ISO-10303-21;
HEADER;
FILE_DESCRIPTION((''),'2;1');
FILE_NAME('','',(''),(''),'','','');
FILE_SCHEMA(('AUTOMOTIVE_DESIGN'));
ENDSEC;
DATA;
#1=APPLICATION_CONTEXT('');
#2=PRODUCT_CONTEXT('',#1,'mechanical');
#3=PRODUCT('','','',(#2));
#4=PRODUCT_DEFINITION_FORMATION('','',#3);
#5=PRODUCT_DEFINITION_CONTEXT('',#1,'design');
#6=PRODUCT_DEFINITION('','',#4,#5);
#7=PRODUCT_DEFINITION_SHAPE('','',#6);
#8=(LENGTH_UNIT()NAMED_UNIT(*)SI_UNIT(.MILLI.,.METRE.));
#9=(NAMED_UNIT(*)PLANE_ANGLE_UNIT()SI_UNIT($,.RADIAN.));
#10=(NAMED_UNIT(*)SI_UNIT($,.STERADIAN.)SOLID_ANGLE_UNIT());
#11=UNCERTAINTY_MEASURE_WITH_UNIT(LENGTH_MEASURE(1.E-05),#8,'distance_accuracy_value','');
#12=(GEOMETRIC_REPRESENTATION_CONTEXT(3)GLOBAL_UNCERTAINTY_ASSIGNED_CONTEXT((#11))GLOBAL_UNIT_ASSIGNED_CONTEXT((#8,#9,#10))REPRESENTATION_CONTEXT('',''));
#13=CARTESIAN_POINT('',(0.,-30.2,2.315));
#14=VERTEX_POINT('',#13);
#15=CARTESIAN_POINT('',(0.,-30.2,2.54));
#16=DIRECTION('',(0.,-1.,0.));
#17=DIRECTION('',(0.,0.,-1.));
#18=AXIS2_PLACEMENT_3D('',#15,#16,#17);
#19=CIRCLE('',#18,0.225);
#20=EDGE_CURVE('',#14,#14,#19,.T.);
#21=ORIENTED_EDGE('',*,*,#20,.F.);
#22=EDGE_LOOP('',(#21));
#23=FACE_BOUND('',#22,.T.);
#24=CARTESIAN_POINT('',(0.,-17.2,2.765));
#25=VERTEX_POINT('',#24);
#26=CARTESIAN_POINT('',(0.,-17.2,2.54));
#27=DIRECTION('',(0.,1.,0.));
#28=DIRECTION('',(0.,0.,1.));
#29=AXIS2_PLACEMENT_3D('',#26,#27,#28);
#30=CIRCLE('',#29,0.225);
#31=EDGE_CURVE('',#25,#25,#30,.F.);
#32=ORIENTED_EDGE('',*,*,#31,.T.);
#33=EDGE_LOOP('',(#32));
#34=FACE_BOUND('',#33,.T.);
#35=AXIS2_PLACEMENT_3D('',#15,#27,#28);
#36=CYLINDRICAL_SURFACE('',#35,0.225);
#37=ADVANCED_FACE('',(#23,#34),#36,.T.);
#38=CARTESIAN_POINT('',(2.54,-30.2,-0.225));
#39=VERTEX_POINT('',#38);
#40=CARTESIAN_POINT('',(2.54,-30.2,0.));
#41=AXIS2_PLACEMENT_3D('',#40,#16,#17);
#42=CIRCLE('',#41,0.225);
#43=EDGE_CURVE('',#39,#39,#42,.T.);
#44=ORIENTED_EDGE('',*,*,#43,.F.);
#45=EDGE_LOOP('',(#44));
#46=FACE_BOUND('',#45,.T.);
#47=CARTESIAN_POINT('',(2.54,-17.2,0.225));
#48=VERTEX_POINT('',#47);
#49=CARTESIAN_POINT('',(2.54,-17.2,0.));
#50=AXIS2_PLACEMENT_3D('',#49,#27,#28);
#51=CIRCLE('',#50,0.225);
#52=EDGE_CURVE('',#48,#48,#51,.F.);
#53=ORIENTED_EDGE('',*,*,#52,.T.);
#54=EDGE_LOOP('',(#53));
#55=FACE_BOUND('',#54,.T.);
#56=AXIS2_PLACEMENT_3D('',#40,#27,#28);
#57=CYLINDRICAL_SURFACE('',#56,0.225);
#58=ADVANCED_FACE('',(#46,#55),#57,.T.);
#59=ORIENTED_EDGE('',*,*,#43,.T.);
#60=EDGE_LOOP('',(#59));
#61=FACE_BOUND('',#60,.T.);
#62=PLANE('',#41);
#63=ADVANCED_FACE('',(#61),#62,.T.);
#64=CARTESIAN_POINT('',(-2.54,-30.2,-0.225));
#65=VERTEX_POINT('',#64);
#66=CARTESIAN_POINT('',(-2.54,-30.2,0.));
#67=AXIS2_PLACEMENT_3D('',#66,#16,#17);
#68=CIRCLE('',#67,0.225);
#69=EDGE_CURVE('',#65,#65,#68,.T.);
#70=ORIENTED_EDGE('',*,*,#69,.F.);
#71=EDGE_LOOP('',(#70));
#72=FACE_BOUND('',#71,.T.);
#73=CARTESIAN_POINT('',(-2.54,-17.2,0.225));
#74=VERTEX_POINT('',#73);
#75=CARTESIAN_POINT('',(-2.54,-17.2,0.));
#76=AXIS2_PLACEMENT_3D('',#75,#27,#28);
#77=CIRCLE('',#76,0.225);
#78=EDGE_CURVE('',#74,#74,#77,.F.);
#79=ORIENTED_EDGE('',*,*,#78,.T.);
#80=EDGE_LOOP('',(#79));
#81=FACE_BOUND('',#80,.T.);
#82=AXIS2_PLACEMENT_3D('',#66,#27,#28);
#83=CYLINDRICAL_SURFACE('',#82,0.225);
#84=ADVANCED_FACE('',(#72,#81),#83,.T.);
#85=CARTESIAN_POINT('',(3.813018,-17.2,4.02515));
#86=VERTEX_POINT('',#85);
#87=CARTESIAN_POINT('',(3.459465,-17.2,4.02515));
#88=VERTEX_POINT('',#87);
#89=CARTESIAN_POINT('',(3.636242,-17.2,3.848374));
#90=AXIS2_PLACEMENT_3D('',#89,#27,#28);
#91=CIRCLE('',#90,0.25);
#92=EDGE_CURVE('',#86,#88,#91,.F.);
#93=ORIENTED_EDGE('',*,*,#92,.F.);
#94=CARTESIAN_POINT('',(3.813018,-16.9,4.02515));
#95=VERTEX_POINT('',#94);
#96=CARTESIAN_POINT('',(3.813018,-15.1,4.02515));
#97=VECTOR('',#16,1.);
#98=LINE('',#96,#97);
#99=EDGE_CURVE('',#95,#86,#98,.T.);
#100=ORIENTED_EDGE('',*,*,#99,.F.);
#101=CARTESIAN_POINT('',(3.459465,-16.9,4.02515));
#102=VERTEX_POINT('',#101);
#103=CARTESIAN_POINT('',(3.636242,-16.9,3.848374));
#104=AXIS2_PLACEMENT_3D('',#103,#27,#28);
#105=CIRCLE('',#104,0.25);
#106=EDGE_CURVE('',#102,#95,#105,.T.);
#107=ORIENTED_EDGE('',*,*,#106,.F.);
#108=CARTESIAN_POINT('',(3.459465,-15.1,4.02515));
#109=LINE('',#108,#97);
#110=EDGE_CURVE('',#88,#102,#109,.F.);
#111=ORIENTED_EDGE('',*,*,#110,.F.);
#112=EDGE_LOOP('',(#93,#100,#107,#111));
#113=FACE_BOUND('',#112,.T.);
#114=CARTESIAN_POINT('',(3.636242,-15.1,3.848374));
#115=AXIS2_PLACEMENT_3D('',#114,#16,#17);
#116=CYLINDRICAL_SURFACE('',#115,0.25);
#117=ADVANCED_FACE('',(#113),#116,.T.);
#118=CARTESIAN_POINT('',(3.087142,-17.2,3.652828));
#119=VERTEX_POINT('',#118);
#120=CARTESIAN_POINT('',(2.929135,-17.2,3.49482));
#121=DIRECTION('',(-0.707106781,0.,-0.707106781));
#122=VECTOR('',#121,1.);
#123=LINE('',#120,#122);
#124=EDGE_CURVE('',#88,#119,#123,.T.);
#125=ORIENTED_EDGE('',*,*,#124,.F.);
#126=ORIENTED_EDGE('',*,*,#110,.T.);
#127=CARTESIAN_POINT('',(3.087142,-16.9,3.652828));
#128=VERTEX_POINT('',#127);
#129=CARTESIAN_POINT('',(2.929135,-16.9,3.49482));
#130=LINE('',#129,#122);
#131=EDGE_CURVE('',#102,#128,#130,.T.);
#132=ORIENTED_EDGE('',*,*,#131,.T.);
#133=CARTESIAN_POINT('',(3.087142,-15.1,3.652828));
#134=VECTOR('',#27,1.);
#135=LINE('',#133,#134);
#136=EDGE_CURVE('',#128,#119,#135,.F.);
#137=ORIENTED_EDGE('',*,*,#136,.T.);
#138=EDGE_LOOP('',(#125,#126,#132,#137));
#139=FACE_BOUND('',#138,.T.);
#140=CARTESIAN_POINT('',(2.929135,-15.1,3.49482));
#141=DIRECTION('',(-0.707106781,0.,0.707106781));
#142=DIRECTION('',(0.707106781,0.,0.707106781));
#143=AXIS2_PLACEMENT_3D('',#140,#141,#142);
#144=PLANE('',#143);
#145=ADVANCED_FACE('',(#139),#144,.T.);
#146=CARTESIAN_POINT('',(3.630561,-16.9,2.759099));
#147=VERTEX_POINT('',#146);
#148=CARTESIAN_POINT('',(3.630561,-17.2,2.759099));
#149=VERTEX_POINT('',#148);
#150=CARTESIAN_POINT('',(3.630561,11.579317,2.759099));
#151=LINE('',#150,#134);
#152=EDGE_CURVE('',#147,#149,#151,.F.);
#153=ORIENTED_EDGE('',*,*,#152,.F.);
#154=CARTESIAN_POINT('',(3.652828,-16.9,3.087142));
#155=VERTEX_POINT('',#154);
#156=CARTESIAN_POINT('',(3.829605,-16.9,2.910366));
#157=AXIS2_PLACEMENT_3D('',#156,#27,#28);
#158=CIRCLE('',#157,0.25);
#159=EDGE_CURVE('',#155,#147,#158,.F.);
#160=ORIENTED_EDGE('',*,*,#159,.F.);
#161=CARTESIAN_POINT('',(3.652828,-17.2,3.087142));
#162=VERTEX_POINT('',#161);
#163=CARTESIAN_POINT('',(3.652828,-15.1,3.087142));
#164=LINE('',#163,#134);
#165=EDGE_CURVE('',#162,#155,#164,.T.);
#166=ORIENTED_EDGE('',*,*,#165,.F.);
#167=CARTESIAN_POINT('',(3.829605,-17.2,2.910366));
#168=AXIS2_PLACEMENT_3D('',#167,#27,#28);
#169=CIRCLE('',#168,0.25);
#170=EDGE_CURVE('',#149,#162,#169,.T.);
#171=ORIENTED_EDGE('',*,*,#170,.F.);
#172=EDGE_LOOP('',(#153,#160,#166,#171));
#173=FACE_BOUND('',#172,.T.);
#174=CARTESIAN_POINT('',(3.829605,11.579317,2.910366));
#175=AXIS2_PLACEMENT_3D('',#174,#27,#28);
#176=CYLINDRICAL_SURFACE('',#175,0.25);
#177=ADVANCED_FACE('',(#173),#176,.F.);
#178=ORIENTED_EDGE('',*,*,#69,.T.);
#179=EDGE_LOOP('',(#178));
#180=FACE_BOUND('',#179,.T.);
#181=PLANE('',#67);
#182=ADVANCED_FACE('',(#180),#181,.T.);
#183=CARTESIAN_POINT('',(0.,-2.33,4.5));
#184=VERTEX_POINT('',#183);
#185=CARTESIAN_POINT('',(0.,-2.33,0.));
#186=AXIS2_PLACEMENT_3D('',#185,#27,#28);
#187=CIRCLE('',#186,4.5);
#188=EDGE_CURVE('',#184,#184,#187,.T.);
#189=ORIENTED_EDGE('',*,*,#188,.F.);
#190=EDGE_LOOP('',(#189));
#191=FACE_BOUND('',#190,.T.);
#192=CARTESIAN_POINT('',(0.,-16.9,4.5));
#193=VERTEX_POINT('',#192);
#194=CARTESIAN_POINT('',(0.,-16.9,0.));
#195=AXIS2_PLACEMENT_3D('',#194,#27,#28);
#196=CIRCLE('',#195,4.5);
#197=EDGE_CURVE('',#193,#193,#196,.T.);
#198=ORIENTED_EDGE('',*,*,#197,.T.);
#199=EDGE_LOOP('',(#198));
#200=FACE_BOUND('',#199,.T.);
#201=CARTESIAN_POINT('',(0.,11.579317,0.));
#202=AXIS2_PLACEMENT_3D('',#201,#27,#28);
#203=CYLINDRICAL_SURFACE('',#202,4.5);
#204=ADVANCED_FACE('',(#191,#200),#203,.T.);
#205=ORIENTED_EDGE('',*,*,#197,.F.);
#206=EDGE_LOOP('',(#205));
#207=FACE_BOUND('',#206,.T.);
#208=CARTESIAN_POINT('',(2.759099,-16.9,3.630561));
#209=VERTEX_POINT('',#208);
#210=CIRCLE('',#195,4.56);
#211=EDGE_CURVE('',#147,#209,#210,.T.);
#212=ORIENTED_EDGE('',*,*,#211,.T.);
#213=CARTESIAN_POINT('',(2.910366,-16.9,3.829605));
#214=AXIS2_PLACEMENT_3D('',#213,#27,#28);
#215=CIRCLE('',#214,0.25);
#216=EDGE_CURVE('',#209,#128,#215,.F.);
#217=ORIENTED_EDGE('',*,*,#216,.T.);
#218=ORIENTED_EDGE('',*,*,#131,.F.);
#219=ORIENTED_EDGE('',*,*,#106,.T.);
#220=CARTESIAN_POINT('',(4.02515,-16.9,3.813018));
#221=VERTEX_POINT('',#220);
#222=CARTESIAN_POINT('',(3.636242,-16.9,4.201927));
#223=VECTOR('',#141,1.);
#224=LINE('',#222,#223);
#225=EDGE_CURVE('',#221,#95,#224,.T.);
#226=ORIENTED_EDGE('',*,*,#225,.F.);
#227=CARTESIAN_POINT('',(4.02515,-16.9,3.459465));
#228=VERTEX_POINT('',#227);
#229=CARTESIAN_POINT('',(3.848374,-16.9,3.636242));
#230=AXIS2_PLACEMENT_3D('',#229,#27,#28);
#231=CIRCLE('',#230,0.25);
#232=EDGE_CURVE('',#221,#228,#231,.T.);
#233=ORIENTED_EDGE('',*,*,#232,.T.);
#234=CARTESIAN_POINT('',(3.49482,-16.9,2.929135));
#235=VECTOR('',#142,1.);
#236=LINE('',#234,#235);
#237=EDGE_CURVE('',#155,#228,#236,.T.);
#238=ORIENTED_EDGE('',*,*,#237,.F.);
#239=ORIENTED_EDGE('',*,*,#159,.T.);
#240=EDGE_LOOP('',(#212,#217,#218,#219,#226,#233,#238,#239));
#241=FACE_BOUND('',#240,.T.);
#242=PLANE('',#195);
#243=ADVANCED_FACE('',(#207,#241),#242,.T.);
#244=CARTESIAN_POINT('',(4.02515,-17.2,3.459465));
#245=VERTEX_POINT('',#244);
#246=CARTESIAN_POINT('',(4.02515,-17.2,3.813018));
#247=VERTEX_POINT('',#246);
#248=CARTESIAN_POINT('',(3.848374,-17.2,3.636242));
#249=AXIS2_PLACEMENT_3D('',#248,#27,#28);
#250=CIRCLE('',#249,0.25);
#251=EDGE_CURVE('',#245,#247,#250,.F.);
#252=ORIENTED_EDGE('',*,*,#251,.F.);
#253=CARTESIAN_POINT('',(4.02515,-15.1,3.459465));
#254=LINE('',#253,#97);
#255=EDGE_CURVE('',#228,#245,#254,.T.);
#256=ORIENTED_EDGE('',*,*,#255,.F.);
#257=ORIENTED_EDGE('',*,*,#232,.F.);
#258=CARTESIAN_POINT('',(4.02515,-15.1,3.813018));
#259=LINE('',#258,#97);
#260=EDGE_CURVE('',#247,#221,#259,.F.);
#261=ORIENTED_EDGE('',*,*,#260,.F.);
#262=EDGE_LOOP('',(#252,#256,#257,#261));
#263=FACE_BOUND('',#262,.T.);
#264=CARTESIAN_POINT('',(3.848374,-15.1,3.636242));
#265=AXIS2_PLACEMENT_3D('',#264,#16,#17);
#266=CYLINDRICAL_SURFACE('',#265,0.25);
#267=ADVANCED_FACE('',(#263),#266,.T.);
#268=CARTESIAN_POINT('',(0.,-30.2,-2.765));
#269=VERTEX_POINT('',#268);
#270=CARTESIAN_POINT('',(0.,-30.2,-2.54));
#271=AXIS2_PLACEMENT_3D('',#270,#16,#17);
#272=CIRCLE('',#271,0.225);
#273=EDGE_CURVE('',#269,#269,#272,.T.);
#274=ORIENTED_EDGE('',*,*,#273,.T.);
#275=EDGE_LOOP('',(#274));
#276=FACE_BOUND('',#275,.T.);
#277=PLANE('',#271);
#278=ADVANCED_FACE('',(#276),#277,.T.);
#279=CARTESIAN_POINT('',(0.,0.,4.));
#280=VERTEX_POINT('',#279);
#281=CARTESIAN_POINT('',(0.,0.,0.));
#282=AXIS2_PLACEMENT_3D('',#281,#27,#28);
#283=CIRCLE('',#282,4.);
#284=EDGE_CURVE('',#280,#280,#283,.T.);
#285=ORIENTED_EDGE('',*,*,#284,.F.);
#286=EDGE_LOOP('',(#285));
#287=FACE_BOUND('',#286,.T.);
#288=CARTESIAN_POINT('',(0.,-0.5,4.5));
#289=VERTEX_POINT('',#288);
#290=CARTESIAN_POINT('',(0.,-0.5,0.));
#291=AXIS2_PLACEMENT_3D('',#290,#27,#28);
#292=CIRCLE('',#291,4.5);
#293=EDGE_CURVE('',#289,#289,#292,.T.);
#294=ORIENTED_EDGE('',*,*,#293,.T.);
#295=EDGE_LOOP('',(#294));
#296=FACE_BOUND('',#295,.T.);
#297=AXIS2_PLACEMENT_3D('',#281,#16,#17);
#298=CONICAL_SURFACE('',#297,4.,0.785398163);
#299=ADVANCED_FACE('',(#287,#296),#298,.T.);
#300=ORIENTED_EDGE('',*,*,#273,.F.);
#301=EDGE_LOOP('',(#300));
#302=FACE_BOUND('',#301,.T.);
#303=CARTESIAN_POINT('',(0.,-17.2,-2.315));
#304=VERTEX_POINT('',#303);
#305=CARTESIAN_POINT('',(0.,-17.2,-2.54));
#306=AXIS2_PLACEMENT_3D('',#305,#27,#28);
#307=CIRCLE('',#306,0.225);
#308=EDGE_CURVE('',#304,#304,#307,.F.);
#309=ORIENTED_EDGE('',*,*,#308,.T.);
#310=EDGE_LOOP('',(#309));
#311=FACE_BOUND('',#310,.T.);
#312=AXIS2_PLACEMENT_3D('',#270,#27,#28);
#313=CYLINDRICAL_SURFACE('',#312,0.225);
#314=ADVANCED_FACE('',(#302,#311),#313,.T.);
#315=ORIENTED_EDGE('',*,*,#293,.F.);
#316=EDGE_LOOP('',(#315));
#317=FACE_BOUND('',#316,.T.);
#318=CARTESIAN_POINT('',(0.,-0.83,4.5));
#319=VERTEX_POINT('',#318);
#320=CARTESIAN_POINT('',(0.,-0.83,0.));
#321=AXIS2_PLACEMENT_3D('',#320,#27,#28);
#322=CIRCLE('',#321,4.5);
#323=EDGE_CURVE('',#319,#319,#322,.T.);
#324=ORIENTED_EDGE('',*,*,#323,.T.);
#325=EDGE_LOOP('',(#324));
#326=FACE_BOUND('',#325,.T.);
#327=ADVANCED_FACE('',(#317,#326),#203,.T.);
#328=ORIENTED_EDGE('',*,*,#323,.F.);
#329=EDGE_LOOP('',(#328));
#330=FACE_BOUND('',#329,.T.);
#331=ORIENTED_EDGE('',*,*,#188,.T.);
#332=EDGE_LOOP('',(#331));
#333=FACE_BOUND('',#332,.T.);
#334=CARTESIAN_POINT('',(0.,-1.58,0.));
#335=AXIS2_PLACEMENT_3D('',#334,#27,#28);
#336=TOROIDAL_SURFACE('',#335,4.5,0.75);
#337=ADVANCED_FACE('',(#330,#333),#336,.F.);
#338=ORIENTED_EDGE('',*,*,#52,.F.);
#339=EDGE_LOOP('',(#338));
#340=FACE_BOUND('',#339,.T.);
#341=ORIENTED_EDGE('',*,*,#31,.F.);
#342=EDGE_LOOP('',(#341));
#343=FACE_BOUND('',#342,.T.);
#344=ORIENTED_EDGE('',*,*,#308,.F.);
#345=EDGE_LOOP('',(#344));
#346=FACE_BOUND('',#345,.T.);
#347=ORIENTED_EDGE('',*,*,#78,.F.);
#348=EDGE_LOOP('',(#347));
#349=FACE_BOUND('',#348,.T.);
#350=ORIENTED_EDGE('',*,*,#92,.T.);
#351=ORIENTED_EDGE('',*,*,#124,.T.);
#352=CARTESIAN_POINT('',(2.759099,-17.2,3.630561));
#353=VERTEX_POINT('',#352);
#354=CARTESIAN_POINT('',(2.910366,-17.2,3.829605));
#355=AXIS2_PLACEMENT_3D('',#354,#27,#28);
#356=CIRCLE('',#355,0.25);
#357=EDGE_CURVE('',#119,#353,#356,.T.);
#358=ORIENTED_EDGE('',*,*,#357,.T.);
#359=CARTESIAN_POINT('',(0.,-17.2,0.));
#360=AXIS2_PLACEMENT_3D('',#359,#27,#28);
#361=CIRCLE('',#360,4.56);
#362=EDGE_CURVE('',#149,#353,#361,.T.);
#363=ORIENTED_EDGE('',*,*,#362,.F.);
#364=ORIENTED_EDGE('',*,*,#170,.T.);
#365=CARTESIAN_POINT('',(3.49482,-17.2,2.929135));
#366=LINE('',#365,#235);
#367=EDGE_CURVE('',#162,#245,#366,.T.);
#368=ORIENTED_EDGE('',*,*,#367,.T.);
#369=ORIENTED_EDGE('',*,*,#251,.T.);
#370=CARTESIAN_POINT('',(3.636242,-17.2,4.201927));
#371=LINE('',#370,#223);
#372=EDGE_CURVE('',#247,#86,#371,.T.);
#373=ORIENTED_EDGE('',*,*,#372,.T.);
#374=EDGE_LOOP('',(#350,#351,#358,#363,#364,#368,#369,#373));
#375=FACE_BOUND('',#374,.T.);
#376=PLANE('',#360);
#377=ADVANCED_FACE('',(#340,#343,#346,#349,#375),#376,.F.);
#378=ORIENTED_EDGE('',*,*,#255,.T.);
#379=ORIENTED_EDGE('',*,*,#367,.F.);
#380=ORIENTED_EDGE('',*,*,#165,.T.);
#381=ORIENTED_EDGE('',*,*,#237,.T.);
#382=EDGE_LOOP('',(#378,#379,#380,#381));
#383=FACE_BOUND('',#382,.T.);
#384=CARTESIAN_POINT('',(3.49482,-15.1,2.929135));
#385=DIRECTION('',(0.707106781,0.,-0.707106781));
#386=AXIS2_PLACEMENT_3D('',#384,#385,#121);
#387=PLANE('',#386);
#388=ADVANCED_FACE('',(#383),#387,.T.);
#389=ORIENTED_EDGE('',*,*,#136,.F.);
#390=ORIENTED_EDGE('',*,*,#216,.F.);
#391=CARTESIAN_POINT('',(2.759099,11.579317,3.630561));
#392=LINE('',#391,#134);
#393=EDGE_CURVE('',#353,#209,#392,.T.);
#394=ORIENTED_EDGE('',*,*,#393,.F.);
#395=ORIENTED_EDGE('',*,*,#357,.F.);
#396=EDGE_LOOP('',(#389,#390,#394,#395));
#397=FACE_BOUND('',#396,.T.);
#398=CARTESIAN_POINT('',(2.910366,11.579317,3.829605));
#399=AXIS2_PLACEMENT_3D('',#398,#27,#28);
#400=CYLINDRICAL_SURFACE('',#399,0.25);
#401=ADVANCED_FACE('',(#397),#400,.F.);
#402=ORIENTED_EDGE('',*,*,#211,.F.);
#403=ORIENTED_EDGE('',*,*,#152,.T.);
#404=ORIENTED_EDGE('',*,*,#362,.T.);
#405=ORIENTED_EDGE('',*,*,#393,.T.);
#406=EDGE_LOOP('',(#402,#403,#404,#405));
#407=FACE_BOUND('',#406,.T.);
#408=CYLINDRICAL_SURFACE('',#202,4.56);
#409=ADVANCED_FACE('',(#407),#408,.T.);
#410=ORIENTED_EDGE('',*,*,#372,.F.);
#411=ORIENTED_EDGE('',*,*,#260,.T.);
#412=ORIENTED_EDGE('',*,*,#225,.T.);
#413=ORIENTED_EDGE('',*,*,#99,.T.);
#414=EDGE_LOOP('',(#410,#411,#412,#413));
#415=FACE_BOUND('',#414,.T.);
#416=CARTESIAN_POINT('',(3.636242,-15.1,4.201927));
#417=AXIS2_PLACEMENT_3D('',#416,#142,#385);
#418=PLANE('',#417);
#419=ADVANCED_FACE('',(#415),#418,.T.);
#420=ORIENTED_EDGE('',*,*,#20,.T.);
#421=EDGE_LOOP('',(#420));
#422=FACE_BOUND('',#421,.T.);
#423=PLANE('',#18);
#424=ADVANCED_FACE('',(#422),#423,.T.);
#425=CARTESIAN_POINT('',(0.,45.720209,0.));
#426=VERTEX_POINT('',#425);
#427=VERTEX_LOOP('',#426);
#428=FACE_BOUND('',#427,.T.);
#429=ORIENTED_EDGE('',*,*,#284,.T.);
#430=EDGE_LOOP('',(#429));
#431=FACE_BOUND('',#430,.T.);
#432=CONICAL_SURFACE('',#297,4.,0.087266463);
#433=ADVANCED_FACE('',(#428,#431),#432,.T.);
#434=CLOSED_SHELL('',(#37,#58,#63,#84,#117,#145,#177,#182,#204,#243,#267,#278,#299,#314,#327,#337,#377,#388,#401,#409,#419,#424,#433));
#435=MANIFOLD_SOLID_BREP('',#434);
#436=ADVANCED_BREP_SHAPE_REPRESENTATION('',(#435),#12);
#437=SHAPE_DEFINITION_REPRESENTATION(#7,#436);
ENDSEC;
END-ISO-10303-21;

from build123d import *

# Parameters (mm, degrees)
SKETCH3_R           = 0.225
BOSS_EXTRUDE1_DEPTH = 13
BOSS_EXTRUDE2_DEPTH = 0.3
FILLET1_R           = 0.25


with BuildPart() as part:
    # Sketch2 → Revolve1 (revolve)
    with BuildSketch(Plane.XY):
        with BuildLine():
            Line((4.5, -0.5), (4, 0))
            Line((4, 0), (0, 0))
            Line((0, 0), (0, -17.2))
            Line((0, -17.2), (4.56, -17.2))
            Line((4.56, -17.2), (4.56, -16.9))
            Line((4.56, -16.9), (4.5, -16.9))
            Line((4.5, -16.9), (4.5, -2.33))
            ThreePointArc((4.5, -2.33), (3.75, -1.58), (4.5, -0.83))
            Line((4.5, -0.83), (4.5, -0.5))
        make_face()
    revolve(axis=Axis((0, 11.579317477, 0), (0, -1, 0)))

    # Sketch3 → Boss-Extrude1 (add)
    with BuildSketch(Plane.XZ.offset(17.2)):
        with Locations((-2.54, 0)):
            Circle(SKETCH3_R)
        with Locations((0, 2.54)):
            Circle(SKETCH3_R)
        with Locations((2.54, 0)):
            Circle(SKETCH3_R)
        with Locations((0, -2.54)):
            Circle(SKETCH3_R)
    extrude(amount=BOSS_EXTRUDE1_DEPTH)

    # Sketch4 → Boss-Extrude2 (add)
    with BuildSketch(Plane.XZ.offset(17.2)):
        with BuildLine():
            Line((2.929134872, 3.494820296), (3.636241653, 4.201927078))
            Line((3.636241653, 4.201927078), (4.201927078, 3.636241653))
            Line((4.201927078, 3.636241653), (3.494820296, 2.929134872))
            ThreePointArc((3.494820296, 2.929134872), (3.224406922, 3.224406922), (2.929134872, 3.494820296))
        make_face()
    extrude(amount=-BOSS_EXTRUDE2_DEPTH)

    # Fillet1
    fillet1_edges = [part.edges().sort_by_distance(p)[0] for p in [
        (4.201927078, -17.05, 3.636241653),
        (3.636241653, -17.05, 4.201927078),
        (2.929134872, -17.05, 3.494820296),
        (3.494820296, -17.05, 2.929134872),
    ]]
    fillet(fillet1_edges, radius=FILLET1_R)

    # Sketch6 → Revolve2 (revolve)
    with BuildSketch(Plane.XY):
        Polygon((0, 0), (0, 45.720209211), (4, 0), align=None)
    revolve(axis=Axis((0, 0, 0), (0, 1, 0)))


solid = part.part
